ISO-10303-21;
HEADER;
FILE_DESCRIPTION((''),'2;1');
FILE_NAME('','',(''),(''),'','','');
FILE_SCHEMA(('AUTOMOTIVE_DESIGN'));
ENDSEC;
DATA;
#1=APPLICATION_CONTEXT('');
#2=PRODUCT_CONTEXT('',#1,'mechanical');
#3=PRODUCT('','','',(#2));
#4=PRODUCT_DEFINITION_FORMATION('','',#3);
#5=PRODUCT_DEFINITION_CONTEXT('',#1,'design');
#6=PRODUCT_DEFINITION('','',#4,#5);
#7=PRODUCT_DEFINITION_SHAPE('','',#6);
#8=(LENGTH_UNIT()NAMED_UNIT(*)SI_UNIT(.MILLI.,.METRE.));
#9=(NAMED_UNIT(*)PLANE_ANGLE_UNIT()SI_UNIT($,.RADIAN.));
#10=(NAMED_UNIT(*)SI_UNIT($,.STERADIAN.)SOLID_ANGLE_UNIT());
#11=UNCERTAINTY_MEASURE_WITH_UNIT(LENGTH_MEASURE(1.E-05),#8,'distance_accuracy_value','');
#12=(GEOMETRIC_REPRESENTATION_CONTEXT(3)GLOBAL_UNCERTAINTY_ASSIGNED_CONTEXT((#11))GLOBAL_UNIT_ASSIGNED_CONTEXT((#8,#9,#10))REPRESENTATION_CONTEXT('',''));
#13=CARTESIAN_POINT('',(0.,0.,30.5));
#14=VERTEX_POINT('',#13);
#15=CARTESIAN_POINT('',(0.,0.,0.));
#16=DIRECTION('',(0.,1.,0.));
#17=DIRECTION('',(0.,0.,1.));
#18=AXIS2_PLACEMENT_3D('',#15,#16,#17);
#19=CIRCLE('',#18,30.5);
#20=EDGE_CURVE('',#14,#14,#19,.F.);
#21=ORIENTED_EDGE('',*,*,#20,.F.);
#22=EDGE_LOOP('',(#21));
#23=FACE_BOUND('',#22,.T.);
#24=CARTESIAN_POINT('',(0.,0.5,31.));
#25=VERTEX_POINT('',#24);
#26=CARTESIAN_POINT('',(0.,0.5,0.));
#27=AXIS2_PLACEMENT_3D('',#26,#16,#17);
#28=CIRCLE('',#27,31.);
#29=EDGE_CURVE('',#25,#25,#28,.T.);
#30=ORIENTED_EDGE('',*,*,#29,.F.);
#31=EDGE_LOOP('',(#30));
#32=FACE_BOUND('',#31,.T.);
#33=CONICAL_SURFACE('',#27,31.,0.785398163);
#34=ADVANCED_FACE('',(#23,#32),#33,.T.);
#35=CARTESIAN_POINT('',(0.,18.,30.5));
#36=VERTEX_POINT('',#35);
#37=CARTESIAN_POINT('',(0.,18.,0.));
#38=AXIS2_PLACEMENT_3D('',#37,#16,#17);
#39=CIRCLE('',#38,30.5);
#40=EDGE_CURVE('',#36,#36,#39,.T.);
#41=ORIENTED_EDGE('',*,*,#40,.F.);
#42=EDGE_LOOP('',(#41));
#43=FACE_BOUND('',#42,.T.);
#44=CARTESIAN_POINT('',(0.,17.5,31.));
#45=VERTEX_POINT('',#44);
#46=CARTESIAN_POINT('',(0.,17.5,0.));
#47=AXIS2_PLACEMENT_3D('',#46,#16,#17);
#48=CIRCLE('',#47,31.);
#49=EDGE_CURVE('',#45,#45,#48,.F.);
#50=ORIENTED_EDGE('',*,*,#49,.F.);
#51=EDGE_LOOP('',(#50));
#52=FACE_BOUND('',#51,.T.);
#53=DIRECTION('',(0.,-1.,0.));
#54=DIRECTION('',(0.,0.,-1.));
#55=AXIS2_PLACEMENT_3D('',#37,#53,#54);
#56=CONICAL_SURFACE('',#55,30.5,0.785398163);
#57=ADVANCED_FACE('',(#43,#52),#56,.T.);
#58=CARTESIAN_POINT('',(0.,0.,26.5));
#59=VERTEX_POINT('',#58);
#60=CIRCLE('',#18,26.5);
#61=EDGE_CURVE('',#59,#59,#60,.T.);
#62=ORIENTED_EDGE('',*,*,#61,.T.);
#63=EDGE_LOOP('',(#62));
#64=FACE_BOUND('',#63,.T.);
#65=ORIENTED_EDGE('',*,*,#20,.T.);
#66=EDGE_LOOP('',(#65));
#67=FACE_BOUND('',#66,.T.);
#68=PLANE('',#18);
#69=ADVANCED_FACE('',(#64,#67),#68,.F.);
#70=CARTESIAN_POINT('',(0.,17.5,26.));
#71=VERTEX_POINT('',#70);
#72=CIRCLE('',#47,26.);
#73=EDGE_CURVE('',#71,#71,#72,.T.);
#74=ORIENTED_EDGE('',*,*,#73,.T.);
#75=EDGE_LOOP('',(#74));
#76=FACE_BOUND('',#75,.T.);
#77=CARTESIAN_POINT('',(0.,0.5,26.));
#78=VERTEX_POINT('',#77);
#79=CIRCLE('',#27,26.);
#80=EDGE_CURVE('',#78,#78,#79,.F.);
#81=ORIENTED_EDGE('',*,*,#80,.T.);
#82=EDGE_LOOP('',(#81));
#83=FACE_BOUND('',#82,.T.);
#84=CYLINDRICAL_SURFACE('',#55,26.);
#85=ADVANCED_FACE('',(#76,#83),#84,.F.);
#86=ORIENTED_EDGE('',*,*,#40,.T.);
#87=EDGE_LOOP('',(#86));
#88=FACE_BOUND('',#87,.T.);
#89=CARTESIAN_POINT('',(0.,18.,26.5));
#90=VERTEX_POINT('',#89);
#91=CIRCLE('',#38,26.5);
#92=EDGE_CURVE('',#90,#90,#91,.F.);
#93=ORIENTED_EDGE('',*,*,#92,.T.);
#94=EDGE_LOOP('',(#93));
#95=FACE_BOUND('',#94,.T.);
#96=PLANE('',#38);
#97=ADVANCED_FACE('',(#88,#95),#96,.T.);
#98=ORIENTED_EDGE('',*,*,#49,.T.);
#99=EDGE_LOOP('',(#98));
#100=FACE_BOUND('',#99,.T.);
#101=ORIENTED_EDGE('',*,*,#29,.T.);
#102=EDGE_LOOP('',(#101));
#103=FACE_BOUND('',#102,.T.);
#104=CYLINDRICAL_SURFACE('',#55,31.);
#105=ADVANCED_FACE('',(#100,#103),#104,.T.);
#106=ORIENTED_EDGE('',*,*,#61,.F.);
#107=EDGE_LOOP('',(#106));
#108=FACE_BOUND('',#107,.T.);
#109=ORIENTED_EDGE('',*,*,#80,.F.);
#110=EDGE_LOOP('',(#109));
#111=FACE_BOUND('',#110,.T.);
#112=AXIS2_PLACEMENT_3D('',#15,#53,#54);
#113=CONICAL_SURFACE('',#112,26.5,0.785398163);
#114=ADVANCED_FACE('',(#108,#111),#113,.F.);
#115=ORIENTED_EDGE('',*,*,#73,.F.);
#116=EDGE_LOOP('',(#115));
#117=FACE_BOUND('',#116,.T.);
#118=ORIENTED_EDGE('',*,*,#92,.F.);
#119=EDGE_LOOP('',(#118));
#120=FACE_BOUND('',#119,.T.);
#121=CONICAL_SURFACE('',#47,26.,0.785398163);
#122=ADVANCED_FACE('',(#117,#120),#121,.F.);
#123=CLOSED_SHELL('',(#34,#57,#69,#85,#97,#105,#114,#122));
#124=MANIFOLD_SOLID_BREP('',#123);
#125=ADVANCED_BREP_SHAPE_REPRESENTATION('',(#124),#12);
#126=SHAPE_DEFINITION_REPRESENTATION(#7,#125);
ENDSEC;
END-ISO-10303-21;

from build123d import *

# Parameters (mm, degrees)
SCHIZZO1_R        = 31
SCHIZZO1_R_2      = 26
ESTRUSIONE1_DEPTH = 18
SMUSSO1_SIZE      = 0.5


with BuildPart() as part:
    # Schizzo1 → Estrusione1 (new body)
    with BuildSketch(Plane(origin=(0, 0, 0), x_dir=(1, 0, 0), z_dir=(0, 1, 0))):
        with Locations(Location((0, 0, 0), (0, 0, 270))):
            Circle(SCHIZZO1_R)
        with Locations(Location((0, 0, 0), (0, 0, 270))):
            Circle(SCHIZZO1_R_2, mode=Mode.SUBTRACT)
    extrude(amount=ESTRUSIONE1_DEPTH)

    # Smusso1
    smusso1_edges = [part.edges().sort_by_distance(p)[0] for p in [
        (0, 0, -31),
        (0, 18, -31),
        (0, 0, -26),
        (0, 18, -26),
    ]]
    chamfer(smusso1_edges, length=SMUSSO1_SIZE)


solid = part.part
